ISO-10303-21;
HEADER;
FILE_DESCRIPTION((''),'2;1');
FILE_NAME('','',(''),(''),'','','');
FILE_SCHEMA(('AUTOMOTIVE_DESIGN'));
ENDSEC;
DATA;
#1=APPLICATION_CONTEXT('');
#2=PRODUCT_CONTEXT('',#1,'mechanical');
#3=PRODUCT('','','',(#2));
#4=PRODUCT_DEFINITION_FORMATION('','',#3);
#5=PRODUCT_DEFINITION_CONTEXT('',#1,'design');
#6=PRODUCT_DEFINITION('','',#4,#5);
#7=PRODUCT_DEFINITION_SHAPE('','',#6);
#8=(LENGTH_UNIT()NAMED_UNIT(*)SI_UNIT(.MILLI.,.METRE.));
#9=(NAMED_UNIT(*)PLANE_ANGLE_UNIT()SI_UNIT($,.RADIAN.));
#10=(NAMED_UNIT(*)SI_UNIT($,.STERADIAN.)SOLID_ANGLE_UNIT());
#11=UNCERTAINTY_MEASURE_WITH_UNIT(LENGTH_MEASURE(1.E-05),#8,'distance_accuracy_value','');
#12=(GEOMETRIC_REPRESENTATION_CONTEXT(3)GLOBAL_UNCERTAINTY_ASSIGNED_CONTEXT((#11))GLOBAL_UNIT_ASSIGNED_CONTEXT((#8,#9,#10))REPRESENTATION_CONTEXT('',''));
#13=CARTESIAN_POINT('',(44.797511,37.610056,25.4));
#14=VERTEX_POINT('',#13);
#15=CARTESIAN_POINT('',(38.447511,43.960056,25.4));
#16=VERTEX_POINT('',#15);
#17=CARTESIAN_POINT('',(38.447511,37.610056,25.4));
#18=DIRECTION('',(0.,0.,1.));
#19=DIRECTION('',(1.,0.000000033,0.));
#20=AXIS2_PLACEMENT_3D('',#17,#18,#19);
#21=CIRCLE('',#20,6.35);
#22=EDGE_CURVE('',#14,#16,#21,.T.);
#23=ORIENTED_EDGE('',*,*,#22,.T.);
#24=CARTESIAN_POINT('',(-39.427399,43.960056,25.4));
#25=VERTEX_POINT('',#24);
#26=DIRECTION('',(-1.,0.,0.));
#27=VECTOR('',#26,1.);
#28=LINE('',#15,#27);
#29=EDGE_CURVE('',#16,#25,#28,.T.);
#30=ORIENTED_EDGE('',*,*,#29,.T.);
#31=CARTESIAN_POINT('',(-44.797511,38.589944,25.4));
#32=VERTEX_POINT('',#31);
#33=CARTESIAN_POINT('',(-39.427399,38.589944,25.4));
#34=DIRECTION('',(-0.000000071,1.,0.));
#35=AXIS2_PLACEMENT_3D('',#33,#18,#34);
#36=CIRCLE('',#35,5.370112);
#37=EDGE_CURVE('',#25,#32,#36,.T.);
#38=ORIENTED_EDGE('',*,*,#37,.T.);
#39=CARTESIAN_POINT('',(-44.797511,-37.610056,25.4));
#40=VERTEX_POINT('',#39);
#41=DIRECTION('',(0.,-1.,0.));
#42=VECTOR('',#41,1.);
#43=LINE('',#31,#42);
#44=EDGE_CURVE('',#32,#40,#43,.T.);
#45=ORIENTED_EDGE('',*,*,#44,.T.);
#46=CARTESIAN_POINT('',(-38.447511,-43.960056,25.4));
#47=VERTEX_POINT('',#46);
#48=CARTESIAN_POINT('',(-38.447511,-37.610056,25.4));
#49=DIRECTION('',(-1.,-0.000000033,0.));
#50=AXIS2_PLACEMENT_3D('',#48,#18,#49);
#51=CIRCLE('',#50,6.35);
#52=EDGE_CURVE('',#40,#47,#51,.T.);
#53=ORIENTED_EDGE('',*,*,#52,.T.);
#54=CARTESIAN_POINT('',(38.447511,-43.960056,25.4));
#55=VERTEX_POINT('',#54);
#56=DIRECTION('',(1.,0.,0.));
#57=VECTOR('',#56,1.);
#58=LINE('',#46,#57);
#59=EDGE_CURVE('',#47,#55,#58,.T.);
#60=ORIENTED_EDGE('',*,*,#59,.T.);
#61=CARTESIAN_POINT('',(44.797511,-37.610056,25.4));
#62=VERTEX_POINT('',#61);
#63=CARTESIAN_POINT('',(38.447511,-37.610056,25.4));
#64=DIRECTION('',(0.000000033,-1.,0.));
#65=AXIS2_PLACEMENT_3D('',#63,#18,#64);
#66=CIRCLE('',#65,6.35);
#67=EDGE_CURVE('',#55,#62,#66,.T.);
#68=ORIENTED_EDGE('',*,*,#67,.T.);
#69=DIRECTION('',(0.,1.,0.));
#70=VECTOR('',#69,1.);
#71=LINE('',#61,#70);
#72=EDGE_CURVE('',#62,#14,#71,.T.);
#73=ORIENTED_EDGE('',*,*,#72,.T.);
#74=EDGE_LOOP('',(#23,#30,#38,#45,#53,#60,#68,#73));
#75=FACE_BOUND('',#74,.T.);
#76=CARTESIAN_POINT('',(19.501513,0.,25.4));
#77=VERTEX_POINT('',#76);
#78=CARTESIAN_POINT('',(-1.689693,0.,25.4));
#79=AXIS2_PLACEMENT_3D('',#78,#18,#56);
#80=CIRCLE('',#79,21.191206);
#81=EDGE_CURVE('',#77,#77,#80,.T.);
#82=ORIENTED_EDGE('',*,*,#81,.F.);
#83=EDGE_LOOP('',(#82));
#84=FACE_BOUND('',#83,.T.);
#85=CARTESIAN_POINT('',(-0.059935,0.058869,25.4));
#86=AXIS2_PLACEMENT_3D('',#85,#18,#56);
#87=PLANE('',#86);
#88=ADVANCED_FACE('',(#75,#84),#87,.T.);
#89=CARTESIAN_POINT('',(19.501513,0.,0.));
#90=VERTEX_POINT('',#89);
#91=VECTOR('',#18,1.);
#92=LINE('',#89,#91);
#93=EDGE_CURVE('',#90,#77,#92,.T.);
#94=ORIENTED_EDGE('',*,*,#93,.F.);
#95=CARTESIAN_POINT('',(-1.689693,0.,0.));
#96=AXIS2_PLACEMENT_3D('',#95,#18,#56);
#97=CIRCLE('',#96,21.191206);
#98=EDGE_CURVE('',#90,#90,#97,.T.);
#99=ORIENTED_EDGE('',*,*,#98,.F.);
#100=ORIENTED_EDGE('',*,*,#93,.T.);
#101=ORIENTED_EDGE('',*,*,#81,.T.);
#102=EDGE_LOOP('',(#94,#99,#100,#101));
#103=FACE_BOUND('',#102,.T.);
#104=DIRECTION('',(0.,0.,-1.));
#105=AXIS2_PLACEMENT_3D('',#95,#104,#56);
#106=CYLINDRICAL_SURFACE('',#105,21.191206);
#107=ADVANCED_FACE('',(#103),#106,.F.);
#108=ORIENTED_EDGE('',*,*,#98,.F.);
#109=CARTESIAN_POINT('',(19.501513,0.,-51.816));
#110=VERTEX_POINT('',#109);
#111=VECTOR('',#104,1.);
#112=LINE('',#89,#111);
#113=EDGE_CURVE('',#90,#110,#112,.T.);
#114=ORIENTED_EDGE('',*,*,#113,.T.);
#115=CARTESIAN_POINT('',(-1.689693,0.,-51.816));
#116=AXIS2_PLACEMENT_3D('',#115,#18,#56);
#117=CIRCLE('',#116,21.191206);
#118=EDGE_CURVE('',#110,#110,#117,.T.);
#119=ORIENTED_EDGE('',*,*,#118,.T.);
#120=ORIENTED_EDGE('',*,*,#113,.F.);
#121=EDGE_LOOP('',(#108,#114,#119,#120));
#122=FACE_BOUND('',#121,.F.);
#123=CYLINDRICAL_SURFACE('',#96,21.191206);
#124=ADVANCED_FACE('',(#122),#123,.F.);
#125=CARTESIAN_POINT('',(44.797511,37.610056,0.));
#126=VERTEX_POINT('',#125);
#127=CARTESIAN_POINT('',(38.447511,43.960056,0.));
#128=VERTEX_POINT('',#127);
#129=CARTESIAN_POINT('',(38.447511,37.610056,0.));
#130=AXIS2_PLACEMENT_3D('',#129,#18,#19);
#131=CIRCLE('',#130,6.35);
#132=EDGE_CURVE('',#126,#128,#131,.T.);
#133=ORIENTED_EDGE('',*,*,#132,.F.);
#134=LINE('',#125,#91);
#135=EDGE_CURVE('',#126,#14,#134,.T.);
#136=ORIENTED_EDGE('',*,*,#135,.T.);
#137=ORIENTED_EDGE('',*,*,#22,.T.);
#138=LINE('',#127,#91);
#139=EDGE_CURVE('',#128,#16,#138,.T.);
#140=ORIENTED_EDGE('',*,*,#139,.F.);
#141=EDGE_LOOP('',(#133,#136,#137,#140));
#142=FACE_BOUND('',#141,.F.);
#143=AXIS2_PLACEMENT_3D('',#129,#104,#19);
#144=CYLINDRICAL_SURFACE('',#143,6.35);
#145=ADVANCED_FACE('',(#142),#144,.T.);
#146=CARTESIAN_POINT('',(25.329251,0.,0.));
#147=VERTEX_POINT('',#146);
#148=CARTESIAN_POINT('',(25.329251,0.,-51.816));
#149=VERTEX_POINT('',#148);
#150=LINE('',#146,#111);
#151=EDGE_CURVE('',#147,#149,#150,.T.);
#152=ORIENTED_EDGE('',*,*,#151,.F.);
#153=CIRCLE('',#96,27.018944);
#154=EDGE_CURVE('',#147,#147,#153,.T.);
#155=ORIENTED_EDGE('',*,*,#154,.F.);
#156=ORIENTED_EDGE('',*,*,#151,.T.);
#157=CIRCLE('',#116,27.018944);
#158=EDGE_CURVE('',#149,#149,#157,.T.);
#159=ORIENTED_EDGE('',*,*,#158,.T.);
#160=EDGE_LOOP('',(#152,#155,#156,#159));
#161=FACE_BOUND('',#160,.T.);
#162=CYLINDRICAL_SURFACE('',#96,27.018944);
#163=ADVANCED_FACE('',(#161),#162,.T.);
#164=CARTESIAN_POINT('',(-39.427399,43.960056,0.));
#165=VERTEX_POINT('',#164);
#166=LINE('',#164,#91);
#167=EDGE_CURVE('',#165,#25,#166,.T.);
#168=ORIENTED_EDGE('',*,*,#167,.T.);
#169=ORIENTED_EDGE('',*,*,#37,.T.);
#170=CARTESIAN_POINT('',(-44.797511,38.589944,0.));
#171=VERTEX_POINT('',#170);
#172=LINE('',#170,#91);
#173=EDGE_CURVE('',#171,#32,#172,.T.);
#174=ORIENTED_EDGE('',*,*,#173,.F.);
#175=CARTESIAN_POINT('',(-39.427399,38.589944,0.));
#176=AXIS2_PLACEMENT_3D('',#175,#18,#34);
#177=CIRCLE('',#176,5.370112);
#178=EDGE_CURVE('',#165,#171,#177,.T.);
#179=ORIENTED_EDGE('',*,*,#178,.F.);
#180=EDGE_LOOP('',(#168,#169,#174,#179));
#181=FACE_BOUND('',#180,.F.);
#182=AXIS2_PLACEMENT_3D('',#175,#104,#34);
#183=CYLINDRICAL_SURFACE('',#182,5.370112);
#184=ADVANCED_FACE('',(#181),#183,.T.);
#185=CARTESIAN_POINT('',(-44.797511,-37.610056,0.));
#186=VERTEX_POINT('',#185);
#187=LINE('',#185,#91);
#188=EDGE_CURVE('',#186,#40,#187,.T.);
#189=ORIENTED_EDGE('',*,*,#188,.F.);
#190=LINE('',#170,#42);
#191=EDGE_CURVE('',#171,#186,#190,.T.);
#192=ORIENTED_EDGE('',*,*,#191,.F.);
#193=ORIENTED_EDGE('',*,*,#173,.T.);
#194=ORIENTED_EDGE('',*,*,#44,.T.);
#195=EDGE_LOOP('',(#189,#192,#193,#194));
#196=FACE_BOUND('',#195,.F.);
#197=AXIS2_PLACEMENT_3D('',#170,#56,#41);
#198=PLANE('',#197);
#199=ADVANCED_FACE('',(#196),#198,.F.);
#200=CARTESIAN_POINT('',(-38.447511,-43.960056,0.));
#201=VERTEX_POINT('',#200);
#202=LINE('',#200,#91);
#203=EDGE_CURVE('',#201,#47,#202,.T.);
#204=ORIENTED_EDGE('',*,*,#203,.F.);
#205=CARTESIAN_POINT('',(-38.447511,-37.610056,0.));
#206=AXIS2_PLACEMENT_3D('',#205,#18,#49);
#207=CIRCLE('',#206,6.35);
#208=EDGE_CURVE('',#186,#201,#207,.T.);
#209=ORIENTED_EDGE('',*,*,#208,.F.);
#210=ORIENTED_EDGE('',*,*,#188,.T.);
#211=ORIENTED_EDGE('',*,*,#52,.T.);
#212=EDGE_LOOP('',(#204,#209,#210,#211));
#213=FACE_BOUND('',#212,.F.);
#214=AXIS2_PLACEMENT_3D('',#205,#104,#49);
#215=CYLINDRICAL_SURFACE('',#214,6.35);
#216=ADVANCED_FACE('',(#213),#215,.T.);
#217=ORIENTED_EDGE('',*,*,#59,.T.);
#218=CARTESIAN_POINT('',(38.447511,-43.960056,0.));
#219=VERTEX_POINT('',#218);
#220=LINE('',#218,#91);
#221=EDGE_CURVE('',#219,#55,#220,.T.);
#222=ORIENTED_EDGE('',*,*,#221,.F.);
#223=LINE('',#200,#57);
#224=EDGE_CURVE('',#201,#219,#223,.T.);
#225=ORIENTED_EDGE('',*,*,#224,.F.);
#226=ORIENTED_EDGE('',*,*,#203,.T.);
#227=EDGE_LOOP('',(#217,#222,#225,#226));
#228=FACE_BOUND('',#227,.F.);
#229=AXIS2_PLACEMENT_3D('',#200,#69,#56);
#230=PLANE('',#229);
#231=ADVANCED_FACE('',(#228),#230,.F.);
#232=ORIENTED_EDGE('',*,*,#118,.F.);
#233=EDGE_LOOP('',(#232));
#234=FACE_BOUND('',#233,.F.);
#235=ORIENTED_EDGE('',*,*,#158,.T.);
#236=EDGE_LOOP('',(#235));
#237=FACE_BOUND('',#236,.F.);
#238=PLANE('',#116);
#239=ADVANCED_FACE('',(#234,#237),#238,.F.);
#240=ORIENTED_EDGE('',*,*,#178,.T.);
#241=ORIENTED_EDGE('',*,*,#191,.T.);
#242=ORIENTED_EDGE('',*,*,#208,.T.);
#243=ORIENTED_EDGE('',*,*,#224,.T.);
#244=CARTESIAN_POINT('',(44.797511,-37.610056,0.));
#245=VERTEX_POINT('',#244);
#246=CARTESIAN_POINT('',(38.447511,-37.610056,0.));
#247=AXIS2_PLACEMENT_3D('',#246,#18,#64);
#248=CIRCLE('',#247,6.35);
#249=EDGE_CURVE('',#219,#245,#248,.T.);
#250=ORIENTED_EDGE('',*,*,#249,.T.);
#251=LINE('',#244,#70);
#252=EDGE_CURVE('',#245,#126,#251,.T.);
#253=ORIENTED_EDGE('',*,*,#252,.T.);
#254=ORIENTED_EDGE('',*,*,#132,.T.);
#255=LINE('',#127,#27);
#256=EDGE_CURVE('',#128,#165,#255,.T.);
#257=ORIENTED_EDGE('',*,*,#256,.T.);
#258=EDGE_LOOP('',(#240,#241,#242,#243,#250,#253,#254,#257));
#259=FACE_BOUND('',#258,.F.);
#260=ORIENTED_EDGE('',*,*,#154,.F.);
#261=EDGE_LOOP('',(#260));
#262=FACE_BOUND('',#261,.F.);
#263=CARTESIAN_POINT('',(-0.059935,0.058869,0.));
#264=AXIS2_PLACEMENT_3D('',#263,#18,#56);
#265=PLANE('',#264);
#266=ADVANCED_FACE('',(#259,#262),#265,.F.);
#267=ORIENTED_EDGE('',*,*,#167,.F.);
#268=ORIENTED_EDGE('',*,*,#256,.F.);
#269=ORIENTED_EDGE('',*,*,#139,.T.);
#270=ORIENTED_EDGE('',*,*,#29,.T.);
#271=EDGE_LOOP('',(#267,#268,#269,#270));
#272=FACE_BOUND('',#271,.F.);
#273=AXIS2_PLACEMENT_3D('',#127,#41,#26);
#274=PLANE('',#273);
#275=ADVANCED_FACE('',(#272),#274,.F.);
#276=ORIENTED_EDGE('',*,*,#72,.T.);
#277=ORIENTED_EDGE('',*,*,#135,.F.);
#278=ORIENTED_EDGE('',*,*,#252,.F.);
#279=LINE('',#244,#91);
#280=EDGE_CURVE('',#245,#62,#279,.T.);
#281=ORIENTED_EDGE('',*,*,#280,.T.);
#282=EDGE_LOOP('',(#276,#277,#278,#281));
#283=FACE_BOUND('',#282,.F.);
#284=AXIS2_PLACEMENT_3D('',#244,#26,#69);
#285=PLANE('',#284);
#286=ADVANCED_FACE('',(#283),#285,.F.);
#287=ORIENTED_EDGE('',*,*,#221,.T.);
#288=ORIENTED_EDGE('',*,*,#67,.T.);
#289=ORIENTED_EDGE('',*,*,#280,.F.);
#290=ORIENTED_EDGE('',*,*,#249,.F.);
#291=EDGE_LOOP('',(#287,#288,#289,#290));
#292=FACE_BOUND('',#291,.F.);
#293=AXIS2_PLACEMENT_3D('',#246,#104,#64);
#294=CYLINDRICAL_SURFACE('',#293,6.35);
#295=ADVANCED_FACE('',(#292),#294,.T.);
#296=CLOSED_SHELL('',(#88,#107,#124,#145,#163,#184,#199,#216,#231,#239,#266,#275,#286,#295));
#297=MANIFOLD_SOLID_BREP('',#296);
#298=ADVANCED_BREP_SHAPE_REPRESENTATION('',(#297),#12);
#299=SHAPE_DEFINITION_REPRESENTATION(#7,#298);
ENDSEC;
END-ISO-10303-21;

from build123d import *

# Parameters (mm, degrees)
F0_R     = 21.191206
F1_DEPTH = 25.4
F2_R     = 27.018944
F2_R_2   = 21.191206
F3_DEPTH = 51.816


with BuildPart() as f1:
    # F0 (on Top) → F1 (new body)
    with BuildSketch(Plane.XY):
        with BuildLine():
            ThreePointArc((-44.797511, -37.610056), (-42.937639, -42.100184), (-38.447511, -43.960056))
            Line((-38.447511, -43.960056), (38.447511, -43.960056))
            ThreePointArc((38.447511, -43.960056), (42.937639, -42.100184), (44.797511, -37.610056))
            Line((44.797511, -37.610056), (44.797511, 37.610056))
            ThreePointArc((44.797511, 37.610056), (42.937639, 42.100184), (38.447511, 43.960056))
            Line((38.447511, 43.960056), (-39.427399, 43.960056))
            ThreePointArc((-39.427399, 43.960056), (-43.224641, 42.387187), (-44.797511, 38.589944))
            Line((-44.797511, 38.589944), (-44.797511, -37.610056))
        make_face()
        with Locations((-1.689693, 0)):
            Circle(F0_R, mode=Mode.SUBTRACT)
    extrude(amount=F1_DEPTH)

    # F2 (on Top) → F3 (join)
    with BuildSketch(Plane.XY):
        with Locations((-1.689693, 0)):
            Circle(F2_R)
        with Locations((-1.689693, 0)):
            Circle(F2_R_2, mode=Mode.SUBTRACT)
    extrude(amount=-F3_DEPTH)


solid = f1.part
